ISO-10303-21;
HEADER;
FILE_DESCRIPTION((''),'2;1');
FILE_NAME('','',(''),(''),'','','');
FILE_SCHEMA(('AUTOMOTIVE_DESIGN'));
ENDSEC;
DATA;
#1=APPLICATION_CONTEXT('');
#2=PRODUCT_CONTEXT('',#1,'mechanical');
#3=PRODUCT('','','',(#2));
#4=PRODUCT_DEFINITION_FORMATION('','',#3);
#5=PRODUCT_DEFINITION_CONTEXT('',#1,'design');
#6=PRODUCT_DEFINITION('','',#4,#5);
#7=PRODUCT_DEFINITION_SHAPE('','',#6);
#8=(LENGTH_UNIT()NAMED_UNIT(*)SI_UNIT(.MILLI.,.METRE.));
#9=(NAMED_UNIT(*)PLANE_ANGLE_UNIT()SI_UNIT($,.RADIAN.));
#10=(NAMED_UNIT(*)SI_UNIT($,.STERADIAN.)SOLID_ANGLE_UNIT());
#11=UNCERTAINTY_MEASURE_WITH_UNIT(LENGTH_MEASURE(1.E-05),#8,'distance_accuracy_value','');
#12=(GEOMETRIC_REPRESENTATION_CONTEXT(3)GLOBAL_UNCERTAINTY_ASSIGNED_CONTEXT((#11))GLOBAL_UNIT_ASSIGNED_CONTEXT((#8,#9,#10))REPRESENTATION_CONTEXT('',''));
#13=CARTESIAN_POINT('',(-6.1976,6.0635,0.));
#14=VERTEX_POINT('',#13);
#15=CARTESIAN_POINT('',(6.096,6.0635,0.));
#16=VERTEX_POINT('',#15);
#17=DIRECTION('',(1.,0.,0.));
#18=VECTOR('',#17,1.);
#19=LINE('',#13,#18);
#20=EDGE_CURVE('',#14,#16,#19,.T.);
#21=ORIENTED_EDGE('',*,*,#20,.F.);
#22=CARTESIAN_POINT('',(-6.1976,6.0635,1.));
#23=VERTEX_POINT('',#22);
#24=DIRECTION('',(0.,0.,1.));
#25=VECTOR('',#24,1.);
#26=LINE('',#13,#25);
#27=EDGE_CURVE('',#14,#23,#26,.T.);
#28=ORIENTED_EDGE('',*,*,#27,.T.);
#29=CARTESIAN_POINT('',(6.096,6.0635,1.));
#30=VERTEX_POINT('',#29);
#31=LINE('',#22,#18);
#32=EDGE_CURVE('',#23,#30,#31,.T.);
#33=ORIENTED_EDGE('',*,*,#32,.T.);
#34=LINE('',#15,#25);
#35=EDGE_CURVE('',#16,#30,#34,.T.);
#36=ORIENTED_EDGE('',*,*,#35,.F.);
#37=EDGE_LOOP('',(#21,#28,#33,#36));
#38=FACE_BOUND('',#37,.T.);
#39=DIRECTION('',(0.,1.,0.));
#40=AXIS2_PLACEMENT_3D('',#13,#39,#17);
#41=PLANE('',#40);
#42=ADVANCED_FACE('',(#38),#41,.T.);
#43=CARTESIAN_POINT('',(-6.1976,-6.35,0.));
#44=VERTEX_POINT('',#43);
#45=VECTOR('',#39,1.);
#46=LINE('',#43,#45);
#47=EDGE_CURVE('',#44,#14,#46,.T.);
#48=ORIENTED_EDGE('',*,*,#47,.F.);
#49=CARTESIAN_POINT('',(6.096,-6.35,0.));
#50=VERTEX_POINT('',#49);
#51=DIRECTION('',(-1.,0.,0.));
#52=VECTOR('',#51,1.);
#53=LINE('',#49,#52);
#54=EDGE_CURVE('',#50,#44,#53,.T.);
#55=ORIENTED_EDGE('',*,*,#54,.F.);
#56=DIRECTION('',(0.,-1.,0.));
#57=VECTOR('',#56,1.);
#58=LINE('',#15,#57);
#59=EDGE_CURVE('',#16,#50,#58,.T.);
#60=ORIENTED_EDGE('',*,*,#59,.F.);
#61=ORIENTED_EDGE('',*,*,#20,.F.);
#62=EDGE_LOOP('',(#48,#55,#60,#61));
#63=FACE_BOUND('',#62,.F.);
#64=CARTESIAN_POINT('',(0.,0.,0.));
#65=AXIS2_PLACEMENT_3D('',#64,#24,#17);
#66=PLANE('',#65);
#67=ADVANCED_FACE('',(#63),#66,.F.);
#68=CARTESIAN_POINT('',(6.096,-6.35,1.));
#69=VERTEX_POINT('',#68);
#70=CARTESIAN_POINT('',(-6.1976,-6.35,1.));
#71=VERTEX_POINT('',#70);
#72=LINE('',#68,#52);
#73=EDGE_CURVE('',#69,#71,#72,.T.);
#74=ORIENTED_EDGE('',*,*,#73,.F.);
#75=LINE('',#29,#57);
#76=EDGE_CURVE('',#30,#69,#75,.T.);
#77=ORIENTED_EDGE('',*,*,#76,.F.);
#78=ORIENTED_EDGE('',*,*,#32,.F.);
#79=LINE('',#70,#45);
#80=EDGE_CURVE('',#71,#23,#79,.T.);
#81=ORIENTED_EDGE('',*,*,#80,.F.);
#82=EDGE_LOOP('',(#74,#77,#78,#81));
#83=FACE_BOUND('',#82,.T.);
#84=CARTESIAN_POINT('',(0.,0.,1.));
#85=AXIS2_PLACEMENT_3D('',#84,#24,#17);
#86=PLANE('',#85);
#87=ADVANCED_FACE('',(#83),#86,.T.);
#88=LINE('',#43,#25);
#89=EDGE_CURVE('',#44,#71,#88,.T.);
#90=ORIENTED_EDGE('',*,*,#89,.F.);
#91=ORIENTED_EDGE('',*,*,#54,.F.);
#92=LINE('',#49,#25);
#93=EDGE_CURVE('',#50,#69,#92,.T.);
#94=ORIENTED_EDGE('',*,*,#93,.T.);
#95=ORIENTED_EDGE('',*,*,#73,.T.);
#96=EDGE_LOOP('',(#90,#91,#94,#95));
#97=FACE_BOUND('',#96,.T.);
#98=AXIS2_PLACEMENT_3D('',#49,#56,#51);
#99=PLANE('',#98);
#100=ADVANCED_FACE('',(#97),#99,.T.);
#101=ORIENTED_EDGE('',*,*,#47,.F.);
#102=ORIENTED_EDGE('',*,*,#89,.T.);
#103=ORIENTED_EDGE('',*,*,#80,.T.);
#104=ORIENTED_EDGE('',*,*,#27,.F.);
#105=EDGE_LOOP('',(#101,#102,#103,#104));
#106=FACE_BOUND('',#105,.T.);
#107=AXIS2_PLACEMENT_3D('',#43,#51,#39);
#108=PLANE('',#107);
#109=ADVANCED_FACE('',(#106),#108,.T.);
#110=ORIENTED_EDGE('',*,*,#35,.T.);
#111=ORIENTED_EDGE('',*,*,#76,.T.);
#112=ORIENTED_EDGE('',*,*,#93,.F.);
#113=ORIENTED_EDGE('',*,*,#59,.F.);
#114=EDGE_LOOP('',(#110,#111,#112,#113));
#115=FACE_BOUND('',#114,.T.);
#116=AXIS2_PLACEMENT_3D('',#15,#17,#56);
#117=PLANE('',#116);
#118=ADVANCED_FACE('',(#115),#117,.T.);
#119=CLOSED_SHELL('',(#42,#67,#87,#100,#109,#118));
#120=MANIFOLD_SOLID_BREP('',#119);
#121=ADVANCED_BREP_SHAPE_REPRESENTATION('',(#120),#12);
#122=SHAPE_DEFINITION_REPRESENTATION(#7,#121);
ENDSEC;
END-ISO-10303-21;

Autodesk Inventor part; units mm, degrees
ref_plane "YZ Plane" through (0, 0, 0) normal (1, 0, 0) x (0, 1, 0)
ref_plane "XZ Plane" through (0, 0, 0) normal (0, 1, 0) x (-1, 0, 0)
ref_plane "XY Plane" through (0, 0, 0) normal (0, 0, 1) x (1, 0, 0)
sketch "BATTCON_12MM, 3V_13" plane through (0, 0, 0) normal (0, 0, 1) x (1, 0, 0)
  line L0 (-6.1976, 6.0635) -> (6.096, 6.0635)
  line L1 (6.096, 6.0635) -> (6.096, -6.35)
  line L2 (6.096, -6.35) -> (-6.1976, -6.35)
  line L3 (-6.1976, -6.35) -> (-6.1976, 6.0635)
extrude "Extrusion1" add sketch "BATTCON_12MM, 3V_13" along normal blind 1
properties part number "3V"
